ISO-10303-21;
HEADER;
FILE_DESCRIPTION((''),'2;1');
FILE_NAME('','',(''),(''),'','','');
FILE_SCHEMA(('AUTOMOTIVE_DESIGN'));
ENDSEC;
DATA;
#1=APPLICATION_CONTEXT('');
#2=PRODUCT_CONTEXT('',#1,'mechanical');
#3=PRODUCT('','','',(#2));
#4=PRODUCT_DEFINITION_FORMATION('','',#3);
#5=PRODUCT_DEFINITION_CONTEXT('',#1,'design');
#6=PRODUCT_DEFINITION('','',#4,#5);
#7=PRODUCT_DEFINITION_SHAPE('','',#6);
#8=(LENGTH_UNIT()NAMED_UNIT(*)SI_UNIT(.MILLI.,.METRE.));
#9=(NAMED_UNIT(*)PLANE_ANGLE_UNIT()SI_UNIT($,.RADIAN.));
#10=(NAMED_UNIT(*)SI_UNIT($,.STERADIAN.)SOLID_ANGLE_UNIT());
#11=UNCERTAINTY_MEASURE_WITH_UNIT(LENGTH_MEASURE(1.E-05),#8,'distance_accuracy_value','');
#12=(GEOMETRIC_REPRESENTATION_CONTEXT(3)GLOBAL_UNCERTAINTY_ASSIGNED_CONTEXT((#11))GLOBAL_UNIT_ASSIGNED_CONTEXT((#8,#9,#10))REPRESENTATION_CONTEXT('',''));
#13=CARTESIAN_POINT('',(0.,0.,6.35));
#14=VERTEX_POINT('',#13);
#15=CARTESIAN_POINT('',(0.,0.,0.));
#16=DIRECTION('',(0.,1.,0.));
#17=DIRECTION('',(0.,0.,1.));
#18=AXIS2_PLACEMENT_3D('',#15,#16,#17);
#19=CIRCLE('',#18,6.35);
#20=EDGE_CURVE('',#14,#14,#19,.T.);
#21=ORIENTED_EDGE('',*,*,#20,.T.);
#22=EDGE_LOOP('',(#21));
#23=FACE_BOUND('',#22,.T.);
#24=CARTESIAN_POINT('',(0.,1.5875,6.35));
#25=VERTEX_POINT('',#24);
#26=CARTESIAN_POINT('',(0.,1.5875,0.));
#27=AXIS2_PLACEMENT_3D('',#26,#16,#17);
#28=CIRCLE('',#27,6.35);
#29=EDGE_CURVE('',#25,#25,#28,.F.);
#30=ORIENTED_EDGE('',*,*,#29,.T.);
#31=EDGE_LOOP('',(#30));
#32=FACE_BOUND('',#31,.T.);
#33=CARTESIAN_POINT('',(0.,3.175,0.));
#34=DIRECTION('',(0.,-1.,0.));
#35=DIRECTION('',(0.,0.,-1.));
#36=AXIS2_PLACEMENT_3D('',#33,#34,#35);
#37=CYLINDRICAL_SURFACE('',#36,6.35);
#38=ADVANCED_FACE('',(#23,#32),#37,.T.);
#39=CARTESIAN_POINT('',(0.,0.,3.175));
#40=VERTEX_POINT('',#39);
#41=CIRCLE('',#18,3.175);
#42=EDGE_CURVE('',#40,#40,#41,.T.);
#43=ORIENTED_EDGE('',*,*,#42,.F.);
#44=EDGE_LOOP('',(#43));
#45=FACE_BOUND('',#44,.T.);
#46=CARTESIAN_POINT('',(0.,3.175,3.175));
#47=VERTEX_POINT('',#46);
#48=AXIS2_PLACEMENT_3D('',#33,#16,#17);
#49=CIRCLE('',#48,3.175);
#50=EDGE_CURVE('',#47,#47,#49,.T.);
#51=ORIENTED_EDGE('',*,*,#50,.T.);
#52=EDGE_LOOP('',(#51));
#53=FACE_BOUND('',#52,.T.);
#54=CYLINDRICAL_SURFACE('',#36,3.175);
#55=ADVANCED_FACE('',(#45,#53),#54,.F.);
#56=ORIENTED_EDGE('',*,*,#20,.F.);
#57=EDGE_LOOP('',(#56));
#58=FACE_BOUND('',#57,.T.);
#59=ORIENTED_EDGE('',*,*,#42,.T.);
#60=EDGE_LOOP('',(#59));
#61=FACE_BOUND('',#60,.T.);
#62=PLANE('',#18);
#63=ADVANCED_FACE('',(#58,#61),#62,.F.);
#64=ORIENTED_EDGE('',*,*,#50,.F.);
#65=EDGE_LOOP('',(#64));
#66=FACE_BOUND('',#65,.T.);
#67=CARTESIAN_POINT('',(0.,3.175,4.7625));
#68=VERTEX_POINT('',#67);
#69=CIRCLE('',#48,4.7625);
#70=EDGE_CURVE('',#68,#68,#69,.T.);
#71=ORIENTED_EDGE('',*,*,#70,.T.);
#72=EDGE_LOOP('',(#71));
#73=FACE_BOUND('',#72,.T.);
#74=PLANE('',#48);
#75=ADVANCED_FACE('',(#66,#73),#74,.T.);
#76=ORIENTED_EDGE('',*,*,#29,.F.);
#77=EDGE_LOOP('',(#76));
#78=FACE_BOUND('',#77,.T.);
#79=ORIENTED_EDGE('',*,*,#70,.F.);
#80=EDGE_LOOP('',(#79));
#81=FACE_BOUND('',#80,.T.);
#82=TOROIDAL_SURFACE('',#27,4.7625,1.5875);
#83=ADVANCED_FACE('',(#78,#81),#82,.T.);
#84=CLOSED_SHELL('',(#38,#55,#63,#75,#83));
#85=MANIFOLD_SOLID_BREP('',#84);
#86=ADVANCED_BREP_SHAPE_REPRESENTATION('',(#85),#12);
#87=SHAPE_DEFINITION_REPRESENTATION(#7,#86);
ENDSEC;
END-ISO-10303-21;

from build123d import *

# Parameters (mm, degrees)
SKETCH1_R           = 6.35
SKETCH1_R_2         = 3.175
BOSS_EXTRUDE1_DEPTH = 3.175
FILLET1_R           = 1.5875


with BuildPart() as part:
    # Sketch1 → Boss-Extrude1 (new body)
    with BuildSketch(Plane(origin=(0, 0, 0), x_dir=(1, 0, 0), z_dir=(0, 1, 0))):
        with Locations(Location((0, 0, 0), (0, 0, 270))):
            Circle(SKETCH1_R)
        with Locations(Location((0, 0, 0), (0, 0, 270))):
            Circle(SKETCH1_R_2, mode=Mode.SUBTRACT)
    extrude(amount=BOSS_EXTRUDE1_DEPTH)

    # Fillet1
    fillet1_edges = [part.edges().sort_by_distance(p)[0] for p in [
        (0, 3.175, -6.35),
    ]]
    fillet(fillet1_edges, radius=FILLET1_R)


solid = part.part
